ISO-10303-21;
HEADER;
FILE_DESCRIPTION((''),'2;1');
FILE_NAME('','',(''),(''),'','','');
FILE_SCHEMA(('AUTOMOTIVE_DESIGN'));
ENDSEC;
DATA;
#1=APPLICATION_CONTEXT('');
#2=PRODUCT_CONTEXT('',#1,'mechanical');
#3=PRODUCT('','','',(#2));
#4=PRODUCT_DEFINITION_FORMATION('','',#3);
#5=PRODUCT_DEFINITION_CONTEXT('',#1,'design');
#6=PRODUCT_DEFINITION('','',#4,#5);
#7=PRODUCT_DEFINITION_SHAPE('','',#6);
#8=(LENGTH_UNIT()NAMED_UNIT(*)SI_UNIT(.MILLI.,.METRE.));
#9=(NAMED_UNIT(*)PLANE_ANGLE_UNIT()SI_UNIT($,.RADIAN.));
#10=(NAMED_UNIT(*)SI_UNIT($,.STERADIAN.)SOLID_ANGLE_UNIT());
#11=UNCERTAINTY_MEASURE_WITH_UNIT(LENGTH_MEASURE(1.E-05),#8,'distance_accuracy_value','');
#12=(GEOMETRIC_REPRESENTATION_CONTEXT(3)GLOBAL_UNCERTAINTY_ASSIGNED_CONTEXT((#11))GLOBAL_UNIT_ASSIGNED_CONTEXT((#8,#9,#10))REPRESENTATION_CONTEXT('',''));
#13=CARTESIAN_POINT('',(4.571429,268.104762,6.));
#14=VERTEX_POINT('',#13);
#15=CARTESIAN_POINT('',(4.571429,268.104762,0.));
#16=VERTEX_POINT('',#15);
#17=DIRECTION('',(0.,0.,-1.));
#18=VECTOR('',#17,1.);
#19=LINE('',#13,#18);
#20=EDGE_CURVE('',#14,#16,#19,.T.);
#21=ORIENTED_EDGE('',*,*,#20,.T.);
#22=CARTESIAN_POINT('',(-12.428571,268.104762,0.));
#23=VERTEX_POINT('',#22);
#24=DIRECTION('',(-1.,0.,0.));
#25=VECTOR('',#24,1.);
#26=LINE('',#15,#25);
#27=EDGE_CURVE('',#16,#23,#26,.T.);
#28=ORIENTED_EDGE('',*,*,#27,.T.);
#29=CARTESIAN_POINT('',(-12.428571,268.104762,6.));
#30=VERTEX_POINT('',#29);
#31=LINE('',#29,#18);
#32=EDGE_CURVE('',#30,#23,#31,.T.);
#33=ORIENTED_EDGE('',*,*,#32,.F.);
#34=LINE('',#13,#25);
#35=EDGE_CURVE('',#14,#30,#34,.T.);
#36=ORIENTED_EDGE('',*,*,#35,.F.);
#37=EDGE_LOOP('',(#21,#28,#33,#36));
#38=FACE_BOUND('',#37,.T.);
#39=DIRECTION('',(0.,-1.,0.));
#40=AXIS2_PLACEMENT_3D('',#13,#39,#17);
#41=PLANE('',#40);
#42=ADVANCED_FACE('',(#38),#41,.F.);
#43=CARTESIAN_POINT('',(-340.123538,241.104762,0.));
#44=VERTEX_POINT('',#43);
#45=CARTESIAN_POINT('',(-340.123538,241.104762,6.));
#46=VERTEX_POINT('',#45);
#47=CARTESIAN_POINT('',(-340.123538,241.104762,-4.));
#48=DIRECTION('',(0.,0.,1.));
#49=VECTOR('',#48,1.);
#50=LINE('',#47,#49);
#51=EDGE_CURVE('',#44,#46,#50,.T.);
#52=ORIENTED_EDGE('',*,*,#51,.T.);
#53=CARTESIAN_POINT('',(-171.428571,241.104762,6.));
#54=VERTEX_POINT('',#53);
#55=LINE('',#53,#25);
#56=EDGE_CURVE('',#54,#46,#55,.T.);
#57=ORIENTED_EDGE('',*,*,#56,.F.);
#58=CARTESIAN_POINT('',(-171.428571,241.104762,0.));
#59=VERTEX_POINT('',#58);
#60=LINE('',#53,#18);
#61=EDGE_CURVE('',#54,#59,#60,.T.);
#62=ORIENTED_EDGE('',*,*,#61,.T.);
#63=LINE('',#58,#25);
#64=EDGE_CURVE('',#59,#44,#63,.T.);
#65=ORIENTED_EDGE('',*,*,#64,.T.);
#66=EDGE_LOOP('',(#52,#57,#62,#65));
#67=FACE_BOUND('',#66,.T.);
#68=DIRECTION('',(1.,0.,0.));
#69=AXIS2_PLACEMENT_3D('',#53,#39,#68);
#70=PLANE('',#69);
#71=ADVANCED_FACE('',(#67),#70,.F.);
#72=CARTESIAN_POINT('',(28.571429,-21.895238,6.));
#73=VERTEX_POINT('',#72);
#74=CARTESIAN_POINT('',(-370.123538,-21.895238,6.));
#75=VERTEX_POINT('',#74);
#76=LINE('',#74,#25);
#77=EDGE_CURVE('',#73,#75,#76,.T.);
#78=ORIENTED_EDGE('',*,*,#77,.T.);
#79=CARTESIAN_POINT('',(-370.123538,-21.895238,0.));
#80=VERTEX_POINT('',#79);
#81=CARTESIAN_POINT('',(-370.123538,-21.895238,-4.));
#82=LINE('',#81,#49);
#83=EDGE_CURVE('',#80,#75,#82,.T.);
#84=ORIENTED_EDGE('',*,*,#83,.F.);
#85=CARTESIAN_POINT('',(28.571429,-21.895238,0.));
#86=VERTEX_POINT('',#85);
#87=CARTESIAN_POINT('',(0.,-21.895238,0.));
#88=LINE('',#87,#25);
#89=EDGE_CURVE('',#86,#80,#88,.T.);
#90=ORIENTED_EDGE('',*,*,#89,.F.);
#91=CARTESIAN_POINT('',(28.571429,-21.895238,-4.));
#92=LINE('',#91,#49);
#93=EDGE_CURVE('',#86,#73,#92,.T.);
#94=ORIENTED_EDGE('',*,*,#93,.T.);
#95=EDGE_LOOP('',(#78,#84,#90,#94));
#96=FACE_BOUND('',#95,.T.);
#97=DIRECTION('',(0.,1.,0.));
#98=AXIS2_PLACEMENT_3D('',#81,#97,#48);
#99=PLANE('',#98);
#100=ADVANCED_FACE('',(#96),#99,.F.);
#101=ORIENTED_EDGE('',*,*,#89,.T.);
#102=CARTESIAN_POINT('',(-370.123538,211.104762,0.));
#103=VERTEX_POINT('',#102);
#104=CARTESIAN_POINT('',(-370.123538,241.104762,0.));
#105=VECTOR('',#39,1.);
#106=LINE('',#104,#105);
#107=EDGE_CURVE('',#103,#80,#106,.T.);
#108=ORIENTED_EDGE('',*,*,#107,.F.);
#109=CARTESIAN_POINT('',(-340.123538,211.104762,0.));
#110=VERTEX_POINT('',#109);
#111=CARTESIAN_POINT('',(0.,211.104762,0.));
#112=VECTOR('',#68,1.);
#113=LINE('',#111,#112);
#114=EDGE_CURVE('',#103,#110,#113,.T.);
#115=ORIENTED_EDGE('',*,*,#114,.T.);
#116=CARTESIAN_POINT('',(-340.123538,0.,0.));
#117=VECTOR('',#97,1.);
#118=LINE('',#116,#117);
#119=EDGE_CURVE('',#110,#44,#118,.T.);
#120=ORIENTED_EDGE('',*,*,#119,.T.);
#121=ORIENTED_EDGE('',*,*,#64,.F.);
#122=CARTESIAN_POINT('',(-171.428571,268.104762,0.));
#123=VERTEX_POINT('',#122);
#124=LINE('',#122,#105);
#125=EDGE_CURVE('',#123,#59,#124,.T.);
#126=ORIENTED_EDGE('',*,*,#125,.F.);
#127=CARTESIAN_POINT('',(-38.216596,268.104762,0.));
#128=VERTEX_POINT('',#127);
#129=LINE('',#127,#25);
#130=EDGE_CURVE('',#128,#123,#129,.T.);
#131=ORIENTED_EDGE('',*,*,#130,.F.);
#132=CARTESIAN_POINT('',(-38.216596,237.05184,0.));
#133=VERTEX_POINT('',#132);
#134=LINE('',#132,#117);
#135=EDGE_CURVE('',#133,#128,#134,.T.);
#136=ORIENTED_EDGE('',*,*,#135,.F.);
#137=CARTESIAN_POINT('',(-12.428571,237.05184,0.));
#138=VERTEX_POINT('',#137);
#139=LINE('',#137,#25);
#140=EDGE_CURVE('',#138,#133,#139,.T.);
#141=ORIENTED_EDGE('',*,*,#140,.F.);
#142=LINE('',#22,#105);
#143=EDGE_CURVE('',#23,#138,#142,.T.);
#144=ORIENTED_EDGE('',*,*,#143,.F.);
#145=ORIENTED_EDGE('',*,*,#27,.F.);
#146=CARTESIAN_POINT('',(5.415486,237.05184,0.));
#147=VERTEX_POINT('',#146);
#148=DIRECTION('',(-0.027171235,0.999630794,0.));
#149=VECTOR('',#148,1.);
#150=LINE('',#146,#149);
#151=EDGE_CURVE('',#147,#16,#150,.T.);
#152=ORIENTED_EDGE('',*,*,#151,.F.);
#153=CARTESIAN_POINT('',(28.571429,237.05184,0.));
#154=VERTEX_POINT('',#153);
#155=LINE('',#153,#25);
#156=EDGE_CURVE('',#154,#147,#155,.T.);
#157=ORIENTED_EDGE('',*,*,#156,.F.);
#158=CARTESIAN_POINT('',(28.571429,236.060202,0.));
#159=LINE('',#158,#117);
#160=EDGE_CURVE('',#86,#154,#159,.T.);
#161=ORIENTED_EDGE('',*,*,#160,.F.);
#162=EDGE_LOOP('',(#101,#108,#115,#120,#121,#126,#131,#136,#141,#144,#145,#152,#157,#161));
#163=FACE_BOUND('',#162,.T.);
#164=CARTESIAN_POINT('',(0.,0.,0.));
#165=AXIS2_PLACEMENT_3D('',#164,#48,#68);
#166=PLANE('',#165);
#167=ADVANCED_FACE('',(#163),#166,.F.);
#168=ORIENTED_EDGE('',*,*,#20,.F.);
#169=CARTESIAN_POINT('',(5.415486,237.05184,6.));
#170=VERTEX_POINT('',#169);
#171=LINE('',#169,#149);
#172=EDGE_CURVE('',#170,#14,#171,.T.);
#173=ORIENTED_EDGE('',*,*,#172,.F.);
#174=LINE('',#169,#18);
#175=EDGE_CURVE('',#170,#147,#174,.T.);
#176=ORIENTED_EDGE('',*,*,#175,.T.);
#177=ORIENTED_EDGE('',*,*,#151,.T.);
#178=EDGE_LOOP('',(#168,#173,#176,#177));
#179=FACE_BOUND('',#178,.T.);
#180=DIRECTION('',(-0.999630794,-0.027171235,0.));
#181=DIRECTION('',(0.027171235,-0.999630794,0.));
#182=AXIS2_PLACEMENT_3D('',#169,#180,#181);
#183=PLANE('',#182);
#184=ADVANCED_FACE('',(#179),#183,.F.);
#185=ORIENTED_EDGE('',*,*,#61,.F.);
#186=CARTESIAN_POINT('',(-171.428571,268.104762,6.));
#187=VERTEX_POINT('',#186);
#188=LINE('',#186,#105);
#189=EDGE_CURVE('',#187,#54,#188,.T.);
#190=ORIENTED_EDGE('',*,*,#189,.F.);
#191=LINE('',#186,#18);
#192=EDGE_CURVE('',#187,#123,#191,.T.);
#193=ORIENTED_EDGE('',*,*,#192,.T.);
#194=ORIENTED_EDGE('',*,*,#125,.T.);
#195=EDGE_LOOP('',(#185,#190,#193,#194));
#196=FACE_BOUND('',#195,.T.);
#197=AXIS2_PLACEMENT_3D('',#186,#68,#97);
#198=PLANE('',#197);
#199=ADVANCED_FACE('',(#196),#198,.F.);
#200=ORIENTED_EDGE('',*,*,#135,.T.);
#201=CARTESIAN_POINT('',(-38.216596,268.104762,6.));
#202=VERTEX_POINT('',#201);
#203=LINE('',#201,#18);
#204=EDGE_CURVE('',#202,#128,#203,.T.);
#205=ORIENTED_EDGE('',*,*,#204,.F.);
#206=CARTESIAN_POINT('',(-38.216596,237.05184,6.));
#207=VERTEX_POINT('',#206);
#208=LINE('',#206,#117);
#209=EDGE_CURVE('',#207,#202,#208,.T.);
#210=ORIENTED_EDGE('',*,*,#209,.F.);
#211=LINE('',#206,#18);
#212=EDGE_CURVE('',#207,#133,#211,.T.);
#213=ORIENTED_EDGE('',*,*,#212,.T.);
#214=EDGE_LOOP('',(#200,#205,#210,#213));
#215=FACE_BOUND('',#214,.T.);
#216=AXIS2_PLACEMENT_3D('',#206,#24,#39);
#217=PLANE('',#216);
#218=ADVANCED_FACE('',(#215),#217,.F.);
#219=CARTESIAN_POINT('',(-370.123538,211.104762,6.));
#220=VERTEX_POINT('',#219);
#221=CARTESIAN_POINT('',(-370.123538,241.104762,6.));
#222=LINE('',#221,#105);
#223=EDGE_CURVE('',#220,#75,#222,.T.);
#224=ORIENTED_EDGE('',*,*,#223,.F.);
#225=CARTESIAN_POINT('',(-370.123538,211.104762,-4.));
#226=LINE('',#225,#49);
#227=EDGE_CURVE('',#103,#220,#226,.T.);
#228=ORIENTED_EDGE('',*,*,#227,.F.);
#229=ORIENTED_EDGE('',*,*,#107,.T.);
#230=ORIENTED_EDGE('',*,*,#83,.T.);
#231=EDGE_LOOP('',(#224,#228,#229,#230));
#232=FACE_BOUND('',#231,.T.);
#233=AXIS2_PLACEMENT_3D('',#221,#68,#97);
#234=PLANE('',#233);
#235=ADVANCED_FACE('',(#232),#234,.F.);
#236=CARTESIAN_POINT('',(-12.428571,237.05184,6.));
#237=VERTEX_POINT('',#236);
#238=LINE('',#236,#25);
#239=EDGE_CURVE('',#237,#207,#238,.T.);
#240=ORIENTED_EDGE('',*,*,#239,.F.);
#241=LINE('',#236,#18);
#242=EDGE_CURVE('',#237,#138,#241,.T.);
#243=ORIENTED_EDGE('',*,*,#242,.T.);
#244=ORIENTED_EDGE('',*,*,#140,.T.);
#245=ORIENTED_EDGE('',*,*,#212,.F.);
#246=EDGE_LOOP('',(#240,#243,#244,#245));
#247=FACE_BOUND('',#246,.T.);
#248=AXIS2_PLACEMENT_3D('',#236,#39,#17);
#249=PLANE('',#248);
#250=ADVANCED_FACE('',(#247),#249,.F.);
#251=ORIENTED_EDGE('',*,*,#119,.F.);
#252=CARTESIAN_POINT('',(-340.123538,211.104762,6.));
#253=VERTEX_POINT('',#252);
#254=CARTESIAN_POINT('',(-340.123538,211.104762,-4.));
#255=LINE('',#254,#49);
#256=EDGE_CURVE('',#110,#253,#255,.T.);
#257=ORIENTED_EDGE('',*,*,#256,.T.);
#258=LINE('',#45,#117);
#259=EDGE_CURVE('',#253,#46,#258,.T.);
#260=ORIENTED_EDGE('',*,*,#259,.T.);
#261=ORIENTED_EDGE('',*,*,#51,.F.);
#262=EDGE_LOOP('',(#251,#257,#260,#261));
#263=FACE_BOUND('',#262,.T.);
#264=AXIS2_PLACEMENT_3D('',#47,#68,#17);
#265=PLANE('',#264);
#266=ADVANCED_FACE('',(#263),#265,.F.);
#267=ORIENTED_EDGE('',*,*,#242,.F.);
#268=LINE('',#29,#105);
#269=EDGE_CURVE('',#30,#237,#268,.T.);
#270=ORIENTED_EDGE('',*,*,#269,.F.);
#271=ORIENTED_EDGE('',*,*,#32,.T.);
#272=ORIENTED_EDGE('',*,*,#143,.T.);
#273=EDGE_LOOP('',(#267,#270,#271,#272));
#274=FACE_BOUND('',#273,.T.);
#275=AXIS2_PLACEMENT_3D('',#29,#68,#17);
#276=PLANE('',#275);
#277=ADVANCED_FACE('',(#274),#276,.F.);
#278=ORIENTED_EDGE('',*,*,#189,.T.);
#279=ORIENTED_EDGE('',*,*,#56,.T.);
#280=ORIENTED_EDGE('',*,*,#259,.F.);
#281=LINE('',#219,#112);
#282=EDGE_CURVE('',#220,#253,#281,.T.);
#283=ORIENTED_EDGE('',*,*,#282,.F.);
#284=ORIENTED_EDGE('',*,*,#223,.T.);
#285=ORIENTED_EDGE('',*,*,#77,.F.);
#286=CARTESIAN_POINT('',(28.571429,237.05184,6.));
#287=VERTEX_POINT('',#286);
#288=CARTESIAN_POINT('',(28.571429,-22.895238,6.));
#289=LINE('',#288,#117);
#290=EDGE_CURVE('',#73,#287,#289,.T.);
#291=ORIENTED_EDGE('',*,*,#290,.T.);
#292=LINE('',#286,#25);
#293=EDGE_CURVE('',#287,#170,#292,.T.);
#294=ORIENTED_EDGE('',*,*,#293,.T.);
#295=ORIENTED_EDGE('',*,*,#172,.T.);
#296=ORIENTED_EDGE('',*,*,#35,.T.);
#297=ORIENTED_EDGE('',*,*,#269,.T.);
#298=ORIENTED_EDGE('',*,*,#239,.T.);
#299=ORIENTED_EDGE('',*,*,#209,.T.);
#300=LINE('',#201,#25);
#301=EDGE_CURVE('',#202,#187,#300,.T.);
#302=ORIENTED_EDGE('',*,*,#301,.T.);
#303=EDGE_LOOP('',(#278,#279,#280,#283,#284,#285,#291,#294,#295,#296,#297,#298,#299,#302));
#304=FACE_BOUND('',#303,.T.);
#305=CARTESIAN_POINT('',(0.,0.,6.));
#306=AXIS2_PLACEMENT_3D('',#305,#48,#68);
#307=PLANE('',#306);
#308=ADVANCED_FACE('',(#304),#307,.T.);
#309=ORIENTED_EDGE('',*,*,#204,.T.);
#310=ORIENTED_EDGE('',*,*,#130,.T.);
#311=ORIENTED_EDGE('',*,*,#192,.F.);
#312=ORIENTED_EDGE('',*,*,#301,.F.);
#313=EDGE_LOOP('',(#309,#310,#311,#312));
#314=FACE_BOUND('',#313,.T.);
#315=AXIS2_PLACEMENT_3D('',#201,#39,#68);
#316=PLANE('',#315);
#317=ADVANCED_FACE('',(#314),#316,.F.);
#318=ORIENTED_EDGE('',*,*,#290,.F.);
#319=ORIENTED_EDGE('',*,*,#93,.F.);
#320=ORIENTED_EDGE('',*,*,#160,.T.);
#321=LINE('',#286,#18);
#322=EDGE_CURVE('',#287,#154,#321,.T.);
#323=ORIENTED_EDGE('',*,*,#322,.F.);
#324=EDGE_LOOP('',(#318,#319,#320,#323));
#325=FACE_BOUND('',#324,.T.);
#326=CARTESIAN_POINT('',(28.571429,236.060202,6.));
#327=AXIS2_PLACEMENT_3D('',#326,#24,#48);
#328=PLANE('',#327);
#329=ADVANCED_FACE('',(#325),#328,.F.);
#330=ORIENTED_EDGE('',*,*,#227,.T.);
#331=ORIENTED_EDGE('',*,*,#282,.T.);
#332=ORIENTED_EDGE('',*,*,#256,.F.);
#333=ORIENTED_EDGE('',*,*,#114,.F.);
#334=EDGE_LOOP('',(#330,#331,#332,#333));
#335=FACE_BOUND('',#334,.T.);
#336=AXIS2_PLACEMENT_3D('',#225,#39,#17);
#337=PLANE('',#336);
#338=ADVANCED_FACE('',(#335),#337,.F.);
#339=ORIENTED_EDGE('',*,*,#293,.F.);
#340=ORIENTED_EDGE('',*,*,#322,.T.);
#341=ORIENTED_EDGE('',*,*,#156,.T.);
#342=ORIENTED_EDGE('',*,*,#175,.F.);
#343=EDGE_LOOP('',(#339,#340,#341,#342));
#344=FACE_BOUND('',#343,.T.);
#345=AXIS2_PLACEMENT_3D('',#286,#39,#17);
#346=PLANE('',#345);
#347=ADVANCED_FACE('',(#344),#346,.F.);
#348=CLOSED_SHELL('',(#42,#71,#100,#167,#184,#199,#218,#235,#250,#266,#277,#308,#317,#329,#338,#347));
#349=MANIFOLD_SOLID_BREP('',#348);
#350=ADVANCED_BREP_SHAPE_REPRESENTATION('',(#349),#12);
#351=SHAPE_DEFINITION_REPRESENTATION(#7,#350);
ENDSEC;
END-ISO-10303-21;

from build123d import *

# Parameters (mm, degrees)
BOSS_EXTRUDE1_DEPTH = 6
SKETCH2_W           = 30
SKETCH2_H           = 30
CUT_EXTRUDE1_DEPTH  = 10
SKETCH3_W           = 398.694966145
SKETCH3_H           = 1
CUT_EXTRUDE2_DEPTH  = 10


with BuildPart() as part:
    # Sketch1 → Boss-Extrude1 (new body)
    with BuildSketch(Plane.XY):
        Polygon((28.571428571, 236.060202245), (28.571428571, 237.05184048), (5.415486436, 237.05184048), (4.571428571, 268.104761905), (-12.428571429, 268.104761905), (-12.428571429, 237.05184048), (-38.216595912, 237.05184048), (-38.216595912, 268.104761905), (-171.428571429, 268.104761905), (-171.428571429, 241.104761905), (-370.123537574, 241.104761905), (-370.123537574, -22.895238095), (28.571428571, -22.895238095), align=None)
    extrude(amount=BOSS_EXTRUDE1_DEPTH)

    # Sketch2 → Cut-Extrude1 (cut)
    with BuildSketch(Plane.XY.offset(6)):
        with Locations((-355.123537574, 226.104761905)):
            Rectangle(SKETCH2_W, SKETCH2_H)
    extrude(amount=-CUT_EXTRUDE1_DEPTH, mode=Mode.SUBTRACT)

    # Sketch3 → Cut-Extrude2 (cut)
    with BuildSketch(Plane.XY.offset(6)):
        with Locations((-170.776054501, -22.395238095)):
            Rectangle(SKETCH3_W, SKETCH3_H)
    extrude(amount=-CUT_EXTRUDE2_DEPTH, mode=Mode.SUBTRACT)


solid = part.part
